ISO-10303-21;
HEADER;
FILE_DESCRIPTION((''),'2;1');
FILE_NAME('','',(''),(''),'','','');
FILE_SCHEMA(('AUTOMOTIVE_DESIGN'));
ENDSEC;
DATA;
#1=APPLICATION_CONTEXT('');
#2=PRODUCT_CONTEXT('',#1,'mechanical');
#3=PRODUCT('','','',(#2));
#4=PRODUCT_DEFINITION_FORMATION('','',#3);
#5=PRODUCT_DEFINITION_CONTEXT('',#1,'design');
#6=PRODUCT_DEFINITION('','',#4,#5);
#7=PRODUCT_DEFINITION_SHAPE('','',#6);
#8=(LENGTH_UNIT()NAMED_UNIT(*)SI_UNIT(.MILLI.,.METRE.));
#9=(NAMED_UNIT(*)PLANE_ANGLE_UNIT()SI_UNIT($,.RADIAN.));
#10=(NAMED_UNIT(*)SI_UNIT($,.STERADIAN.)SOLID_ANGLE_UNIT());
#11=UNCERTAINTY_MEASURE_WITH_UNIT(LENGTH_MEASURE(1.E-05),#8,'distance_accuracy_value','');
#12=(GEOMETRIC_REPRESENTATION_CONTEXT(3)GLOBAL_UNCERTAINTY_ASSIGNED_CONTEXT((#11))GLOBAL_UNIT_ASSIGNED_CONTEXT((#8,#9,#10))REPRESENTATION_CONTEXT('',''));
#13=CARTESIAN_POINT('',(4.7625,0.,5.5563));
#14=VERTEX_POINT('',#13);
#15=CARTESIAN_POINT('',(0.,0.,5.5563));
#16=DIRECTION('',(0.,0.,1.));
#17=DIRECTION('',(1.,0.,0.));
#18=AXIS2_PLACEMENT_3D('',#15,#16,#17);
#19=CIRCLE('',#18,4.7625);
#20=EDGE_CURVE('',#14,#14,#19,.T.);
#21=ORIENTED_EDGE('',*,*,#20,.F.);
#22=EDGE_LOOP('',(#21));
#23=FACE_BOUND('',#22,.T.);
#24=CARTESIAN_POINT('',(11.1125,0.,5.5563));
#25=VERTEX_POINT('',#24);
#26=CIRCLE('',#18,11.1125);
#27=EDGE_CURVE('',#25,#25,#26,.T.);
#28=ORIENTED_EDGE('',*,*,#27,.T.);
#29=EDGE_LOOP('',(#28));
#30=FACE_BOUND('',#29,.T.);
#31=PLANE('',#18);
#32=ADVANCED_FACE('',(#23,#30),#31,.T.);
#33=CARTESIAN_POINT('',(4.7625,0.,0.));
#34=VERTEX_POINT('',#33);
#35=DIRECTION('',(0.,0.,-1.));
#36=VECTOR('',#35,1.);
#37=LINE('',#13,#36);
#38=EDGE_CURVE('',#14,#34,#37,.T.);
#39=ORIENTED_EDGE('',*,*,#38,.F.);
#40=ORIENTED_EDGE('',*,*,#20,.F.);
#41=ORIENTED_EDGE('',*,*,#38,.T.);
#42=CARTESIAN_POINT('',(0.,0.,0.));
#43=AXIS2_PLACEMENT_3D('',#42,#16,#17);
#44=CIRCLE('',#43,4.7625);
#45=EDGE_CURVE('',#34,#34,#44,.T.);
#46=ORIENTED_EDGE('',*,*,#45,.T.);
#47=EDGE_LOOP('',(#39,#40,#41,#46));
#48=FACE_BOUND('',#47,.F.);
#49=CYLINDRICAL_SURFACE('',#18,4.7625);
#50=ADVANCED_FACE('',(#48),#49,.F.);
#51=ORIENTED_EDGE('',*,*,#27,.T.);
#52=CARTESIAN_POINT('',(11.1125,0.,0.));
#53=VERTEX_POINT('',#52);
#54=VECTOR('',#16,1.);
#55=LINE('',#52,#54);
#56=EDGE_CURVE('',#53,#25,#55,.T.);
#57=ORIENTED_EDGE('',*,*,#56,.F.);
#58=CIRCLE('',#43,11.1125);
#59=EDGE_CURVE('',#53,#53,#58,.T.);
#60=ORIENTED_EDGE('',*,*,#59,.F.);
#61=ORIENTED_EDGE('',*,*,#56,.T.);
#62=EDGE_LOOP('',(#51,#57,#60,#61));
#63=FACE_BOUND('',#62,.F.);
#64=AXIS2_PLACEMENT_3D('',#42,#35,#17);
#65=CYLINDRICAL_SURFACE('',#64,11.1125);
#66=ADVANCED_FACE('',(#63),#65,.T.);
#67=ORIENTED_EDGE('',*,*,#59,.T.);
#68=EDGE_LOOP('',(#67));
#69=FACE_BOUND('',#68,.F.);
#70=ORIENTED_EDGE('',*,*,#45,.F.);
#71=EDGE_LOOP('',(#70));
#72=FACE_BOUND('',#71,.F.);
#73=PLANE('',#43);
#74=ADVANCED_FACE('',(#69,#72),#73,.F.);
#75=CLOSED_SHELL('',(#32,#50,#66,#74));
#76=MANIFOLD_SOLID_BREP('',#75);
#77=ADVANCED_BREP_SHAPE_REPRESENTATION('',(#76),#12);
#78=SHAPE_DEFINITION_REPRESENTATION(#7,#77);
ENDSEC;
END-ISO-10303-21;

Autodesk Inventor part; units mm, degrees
ref_plane "YZ Plane" through (0, 0, 0) normal (1, 0, 0) x (0, 1, 0)
ref_plane "XZ Plane" through (0, 0, 0) normal (0, 1, 0) x (-1, 0, 0)
ref_plane "XY Plane" through (0, 0, 0) normal (0, 0, 1) x (1, 0, 0)
sketch "Sketch1" plane through (0, 0, 0) normal (0, 0, 1) x (1, 0, 0)
  circle A0 centre (0, 0) radius 11.1125
  dimension "d9" = 22.225
extrude "Extrusion1" add sketch "Sketch1" along normal blind 5.5563
sketch "Sketch3" plane through (0, 0, 5.5563) normal (0, 0, 1) x (1, 0, 0)
  circle A0 centre (0, 0) radius 4.7625
  dimension "d10" = 9.525
extrude "Extrusion2" cut sketch "Sketch3" against normal blind 25.4
properties part number "Bearing1"
